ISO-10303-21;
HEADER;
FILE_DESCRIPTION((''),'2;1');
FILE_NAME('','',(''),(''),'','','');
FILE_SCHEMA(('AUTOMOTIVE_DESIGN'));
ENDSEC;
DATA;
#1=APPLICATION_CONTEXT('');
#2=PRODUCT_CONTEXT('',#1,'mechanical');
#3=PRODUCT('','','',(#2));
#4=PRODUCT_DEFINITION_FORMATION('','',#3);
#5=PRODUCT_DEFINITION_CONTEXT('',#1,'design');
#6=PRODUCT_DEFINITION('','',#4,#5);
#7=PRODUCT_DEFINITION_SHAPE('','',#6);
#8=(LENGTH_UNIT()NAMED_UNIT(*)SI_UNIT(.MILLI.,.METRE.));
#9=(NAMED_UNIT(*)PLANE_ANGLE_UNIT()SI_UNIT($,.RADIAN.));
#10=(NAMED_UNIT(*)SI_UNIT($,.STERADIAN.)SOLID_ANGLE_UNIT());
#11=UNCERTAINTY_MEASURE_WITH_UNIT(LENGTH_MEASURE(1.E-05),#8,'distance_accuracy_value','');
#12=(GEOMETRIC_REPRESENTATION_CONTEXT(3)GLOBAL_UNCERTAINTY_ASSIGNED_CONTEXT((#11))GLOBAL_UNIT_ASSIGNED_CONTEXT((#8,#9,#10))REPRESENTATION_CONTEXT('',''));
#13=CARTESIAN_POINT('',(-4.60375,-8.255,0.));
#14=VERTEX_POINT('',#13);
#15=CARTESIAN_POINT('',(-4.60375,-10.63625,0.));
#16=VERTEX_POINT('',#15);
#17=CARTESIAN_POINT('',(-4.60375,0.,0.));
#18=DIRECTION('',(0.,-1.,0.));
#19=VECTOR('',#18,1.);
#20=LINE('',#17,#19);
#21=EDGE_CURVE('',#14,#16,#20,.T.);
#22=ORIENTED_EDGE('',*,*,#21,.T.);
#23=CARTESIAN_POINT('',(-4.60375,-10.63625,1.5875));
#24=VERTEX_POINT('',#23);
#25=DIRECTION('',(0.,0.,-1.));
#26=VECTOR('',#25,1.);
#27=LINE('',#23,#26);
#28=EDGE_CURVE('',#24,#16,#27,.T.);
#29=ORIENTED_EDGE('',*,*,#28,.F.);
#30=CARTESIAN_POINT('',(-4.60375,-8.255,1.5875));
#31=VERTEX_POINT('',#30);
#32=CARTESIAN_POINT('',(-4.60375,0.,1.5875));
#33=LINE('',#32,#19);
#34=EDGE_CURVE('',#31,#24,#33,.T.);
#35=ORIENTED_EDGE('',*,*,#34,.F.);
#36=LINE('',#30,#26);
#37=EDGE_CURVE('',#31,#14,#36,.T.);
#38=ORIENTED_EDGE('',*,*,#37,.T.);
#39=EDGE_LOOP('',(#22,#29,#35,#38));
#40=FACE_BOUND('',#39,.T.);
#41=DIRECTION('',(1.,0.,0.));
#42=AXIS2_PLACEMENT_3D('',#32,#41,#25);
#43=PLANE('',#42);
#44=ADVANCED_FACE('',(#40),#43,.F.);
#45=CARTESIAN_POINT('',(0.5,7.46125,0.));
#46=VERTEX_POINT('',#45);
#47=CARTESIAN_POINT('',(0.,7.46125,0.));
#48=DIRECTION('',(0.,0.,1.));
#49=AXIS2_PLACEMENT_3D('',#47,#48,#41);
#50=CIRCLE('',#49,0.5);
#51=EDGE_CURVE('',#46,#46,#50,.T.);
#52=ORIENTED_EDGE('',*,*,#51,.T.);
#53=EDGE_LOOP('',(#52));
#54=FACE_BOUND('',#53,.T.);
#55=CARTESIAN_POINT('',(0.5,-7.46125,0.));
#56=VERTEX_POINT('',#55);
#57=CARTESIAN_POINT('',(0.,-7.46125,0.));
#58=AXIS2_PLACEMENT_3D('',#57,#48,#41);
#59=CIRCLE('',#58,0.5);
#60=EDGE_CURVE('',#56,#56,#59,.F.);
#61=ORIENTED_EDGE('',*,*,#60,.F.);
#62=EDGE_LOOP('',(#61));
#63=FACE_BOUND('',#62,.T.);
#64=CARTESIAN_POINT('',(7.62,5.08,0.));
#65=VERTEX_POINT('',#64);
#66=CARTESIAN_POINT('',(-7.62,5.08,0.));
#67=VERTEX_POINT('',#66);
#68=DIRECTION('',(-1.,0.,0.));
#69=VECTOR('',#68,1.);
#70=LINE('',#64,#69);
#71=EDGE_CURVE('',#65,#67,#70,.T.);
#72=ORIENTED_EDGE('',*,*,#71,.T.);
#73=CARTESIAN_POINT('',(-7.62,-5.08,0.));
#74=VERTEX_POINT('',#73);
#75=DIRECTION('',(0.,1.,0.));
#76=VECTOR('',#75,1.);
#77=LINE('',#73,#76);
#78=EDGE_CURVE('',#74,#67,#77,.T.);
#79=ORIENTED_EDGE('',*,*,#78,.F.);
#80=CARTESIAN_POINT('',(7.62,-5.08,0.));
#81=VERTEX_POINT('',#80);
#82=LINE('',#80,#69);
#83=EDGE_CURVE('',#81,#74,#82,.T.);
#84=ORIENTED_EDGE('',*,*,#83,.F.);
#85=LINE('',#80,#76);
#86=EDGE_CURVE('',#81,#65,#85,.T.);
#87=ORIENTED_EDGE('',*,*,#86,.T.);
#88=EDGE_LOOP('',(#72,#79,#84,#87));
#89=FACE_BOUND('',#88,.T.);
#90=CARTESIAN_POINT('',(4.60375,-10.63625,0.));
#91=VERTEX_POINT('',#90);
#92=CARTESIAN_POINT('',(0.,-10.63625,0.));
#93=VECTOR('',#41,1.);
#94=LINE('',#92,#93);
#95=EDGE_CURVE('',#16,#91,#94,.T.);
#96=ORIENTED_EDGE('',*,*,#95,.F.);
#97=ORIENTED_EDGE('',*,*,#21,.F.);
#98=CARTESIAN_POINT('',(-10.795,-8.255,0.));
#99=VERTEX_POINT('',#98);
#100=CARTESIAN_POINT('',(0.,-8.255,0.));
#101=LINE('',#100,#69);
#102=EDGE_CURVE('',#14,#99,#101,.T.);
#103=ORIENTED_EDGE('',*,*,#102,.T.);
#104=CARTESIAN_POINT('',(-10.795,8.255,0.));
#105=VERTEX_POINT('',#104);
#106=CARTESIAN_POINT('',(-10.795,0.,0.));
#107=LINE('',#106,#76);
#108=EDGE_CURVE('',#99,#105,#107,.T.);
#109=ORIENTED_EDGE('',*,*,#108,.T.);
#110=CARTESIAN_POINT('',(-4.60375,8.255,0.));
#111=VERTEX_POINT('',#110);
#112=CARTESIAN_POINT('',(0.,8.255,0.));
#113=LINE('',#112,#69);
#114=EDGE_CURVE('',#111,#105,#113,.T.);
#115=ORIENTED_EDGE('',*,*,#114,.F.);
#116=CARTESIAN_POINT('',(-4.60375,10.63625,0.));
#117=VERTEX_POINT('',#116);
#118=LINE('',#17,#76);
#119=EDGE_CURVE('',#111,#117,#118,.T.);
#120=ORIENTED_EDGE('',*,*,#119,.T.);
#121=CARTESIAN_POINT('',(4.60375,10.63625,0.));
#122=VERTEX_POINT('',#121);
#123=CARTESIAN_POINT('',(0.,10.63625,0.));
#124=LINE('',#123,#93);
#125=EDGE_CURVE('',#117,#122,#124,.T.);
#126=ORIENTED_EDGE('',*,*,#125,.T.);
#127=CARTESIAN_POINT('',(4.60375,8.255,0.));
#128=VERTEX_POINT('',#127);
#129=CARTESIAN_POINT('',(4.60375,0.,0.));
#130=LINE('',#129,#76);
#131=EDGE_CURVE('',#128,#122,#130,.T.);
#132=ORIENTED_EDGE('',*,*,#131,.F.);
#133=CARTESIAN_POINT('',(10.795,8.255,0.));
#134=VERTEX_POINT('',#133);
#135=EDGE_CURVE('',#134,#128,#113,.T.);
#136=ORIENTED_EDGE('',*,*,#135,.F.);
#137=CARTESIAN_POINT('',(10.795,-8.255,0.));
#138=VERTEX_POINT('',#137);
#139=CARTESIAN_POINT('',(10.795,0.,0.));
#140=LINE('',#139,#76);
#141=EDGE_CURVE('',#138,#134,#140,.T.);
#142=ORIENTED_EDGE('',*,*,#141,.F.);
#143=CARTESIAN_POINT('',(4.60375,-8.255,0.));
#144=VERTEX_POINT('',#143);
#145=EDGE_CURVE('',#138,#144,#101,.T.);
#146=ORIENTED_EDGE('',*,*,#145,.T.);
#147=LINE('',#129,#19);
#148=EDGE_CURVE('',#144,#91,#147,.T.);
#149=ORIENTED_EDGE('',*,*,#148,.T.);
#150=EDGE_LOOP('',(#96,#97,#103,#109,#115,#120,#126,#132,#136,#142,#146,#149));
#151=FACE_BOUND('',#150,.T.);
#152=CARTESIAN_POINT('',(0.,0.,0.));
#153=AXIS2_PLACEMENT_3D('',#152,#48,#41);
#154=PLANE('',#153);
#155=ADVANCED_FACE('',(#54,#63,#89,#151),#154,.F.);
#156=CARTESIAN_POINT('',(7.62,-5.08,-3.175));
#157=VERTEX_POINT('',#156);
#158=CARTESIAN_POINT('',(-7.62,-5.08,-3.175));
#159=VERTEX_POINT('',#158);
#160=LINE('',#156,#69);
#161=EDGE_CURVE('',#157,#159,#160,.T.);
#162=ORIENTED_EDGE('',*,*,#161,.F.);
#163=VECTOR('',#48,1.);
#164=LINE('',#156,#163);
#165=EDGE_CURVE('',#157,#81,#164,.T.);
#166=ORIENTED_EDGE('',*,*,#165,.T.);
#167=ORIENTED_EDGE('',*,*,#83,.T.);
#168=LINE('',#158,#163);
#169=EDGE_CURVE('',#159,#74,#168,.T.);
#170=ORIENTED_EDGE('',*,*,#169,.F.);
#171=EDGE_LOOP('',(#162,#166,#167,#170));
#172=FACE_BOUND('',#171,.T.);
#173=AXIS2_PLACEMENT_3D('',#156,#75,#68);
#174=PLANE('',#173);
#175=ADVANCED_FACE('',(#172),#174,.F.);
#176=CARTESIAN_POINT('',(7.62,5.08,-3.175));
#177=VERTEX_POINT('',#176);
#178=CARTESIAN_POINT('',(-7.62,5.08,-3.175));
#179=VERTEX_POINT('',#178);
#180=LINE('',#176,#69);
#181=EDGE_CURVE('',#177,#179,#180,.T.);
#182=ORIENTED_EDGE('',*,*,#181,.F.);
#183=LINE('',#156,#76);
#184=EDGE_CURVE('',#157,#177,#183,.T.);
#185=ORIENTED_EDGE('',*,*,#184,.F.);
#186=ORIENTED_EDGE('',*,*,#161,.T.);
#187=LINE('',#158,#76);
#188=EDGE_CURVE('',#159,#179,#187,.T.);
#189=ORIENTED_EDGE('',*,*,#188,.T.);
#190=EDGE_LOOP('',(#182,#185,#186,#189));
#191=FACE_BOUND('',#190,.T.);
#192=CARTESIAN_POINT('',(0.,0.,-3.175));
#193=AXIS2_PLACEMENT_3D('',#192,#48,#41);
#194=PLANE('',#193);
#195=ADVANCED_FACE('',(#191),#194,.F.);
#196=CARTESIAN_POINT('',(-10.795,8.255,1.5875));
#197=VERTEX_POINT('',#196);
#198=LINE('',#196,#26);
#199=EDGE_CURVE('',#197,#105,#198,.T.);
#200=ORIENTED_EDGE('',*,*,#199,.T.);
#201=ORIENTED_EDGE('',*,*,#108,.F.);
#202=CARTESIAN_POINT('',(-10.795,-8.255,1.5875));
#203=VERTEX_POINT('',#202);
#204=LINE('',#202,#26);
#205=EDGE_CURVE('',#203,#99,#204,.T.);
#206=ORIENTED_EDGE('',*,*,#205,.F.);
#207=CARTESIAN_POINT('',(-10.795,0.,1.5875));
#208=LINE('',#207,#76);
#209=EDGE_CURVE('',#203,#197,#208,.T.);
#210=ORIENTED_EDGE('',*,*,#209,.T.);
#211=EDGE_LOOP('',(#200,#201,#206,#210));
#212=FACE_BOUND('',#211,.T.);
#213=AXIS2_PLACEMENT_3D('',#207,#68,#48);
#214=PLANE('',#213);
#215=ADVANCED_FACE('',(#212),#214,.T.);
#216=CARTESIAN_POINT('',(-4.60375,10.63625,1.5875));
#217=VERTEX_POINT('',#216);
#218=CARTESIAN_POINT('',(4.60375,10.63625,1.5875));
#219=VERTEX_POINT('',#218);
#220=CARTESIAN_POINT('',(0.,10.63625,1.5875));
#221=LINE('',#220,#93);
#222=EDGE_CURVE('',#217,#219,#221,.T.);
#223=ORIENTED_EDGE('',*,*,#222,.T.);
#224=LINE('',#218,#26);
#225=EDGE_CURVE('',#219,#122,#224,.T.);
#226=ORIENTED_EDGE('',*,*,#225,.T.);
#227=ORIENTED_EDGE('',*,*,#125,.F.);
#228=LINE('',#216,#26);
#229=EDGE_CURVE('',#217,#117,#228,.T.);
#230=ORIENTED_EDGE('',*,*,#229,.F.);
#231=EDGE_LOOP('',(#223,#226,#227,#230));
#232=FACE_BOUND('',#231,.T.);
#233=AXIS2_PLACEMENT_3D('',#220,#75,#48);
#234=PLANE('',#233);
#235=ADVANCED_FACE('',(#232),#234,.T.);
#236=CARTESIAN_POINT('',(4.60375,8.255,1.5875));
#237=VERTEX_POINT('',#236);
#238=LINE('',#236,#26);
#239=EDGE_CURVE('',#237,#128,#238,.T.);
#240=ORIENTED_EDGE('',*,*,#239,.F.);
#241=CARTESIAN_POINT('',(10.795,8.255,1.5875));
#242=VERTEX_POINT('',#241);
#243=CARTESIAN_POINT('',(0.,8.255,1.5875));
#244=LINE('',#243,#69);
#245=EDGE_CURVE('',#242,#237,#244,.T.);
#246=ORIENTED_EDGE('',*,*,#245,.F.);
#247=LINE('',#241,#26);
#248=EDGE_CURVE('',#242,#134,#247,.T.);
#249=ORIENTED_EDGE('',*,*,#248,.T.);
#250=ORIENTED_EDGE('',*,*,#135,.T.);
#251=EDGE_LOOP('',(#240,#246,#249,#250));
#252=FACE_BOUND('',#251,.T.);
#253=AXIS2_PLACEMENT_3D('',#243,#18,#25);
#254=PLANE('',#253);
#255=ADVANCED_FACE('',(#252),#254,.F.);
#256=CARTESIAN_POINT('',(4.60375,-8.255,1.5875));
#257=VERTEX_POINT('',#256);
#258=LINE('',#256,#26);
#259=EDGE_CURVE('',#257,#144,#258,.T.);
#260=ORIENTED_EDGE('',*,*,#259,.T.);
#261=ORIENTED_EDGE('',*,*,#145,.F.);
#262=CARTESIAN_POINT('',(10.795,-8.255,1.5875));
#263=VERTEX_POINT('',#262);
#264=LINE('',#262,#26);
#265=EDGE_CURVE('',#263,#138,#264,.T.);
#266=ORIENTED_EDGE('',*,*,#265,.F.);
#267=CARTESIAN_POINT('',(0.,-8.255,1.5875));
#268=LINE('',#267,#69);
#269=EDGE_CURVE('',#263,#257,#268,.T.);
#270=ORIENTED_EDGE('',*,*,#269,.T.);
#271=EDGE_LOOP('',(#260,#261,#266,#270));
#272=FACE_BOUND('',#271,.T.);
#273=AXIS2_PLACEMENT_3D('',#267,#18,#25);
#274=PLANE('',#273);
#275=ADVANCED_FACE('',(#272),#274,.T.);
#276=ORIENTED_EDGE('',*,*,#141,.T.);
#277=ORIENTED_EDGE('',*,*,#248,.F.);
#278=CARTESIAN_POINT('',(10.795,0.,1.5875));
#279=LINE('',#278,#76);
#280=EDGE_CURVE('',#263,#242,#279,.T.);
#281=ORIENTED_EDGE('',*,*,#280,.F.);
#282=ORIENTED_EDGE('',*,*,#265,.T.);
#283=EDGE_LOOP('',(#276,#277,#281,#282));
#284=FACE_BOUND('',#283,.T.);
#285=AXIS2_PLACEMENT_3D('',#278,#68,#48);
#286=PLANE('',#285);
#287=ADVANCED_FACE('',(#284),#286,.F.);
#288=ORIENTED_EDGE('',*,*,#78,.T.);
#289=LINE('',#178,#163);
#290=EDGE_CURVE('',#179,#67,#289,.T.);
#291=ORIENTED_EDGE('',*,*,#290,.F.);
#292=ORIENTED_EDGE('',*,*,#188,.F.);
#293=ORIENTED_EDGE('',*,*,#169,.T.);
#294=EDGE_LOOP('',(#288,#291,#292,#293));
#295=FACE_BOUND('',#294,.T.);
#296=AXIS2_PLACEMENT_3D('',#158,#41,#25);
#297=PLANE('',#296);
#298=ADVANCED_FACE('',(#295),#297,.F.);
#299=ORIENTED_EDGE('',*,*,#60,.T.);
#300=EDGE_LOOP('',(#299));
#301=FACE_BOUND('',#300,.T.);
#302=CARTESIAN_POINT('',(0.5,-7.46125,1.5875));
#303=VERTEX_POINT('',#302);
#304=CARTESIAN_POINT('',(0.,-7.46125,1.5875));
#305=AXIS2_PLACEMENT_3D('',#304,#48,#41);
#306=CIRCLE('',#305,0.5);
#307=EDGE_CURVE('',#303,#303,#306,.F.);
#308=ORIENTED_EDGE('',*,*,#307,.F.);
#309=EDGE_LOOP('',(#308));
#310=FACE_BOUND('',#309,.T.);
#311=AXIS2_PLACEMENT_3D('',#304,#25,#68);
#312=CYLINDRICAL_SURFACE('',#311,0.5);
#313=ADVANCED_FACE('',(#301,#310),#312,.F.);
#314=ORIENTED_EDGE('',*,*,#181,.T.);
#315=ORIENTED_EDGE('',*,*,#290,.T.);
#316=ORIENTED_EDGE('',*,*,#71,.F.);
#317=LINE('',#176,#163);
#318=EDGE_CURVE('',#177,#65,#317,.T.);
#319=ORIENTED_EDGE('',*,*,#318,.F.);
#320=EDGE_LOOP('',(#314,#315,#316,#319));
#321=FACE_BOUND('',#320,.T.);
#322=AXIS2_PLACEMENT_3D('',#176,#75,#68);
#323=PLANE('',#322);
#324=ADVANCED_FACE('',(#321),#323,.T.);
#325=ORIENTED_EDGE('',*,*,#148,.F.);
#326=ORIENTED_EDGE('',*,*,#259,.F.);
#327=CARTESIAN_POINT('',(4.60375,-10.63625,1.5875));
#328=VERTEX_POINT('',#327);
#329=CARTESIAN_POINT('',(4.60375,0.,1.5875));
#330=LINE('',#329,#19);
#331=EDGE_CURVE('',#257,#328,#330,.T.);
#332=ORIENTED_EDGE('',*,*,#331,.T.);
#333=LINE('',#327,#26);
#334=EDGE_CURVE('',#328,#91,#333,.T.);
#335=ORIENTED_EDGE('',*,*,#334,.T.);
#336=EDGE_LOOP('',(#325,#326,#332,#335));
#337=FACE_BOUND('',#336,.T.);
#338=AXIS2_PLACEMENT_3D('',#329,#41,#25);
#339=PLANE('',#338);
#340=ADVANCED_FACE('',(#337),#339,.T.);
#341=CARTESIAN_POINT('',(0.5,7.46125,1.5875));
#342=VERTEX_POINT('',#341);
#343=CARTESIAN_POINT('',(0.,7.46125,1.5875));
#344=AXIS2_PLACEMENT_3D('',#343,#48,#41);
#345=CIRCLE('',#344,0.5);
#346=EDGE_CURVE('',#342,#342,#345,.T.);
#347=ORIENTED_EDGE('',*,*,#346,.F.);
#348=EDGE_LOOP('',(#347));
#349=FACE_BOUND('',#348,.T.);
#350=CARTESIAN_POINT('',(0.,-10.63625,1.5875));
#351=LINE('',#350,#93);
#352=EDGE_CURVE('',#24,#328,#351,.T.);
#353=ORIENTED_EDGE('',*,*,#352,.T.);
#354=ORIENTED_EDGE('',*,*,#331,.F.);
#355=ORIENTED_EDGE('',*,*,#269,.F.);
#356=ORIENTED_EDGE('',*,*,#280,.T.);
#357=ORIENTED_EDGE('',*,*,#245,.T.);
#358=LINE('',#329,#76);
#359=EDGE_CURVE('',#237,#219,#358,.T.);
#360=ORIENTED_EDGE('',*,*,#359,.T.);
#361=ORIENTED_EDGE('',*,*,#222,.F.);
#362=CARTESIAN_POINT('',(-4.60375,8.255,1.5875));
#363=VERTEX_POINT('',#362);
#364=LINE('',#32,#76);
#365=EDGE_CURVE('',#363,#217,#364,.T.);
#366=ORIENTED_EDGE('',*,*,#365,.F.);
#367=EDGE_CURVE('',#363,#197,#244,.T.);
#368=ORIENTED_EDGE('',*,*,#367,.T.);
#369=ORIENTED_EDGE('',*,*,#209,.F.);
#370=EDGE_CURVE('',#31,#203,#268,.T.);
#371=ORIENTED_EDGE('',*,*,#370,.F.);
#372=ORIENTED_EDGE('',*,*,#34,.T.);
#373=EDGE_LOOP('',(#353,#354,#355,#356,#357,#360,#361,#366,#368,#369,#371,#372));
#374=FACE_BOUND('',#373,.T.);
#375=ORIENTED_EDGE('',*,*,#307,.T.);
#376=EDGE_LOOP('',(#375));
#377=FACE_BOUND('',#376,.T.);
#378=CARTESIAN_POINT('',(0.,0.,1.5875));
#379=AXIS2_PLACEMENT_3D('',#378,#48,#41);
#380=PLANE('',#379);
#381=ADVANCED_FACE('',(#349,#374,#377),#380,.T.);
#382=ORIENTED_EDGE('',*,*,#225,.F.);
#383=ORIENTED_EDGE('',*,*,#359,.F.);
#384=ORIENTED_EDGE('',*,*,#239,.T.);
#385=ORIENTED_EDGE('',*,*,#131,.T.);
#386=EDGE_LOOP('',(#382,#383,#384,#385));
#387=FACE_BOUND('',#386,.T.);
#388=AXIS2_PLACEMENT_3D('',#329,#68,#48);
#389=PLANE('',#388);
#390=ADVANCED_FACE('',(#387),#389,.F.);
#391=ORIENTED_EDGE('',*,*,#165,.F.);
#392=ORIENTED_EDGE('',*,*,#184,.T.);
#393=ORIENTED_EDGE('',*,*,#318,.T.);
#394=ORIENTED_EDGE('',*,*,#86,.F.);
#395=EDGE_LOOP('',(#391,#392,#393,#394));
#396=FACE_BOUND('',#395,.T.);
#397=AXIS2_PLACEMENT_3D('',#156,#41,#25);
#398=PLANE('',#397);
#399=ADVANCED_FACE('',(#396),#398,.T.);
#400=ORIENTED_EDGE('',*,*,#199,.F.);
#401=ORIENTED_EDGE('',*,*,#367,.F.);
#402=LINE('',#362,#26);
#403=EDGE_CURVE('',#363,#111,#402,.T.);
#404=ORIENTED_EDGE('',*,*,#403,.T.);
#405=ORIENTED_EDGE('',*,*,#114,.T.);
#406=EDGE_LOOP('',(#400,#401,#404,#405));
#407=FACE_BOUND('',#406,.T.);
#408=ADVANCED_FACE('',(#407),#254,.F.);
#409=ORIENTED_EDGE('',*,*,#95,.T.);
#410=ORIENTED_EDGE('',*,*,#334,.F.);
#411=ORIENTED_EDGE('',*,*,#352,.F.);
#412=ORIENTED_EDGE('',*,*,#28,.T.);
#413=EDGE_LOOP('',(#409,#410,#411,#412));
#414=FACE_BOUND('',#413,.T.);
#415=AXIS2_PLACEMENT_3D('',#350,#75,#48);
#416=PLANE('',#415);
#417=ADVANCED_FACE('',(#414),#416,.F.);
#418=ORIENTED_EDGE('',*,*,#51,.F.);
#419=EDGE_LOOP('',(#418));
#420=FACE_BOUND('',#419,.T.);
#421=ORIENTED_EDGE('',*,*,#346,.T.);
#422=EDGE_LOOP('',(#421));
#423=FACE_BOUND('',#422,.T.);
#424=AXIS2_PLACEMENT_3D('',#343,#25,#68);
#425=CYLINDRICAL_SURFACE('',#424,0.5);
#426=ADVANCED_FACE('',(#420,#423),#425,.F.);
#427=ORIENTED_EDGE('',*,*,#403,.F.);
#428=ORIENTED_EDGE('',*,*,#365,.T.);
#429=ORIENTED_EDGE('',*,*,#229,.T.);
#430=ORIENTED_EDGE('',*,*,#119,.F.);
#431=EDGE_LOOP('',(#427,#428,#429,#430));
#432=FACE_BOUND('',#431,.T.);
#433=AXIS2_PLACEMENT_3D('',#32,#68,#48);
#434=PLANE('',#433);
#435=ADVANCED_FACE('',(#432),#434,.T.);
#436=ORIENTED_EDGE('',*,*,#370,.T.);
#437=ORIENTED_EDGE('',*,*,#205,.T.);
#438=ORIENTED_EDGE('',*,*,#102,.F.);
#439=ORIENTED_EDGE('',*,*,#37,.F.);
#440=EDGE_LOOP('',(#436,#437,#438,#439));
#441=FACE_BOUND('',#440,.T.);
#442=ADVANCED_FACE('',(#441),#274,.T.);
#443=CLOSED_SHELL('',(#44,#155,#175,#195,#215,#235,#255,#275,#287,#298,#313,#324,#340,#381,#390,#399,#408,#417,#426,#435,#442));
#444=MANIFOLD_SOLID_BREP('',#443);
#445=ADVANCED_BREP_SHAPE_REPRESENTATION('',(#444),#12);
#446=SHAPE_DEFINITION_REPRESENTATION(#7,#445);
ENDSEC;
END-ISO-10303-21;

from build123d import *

# Parameters (mm, degrees)
SKETCH1_R           = 0.5
BOSS_EXTRUDE1_DEPTH = 1.5875
SKETCH1_3_W         = 15.24
SKETCH1_3_H         = 10.16
BOSS_EXTRUDE2_DEPTH = 3.175


with BuildPart() as part:
    # Sketch1 → Boss-Extrude1 (new body)
    with BuildSketch(Plane.XY):
        Polygon((4.60375, -8.255), (10.795, -8.255), (10.795, 8.255), (4.60375, 8.255), (4.60375, 10.63625), (-4.60375, 10.63625), (-4.60375, 8.255), (-10.795, 8.255), (-10.795, -8.255), (-4.60375, -8.255), (-4.60375, -10.63625), (4.60375, -10.63625), align=None)
        with Locations((0, -7.46125)):
            Circle(SKETCH1_R, mode=Mode.SUBTRACT)
        with Locations((0, 7.46125)):
            Circle(SKETCH1_R, mode=Mode.SUBTRACT)
    extrude(amount=BOSS_EXTRUDE1_DEPTH)

    # Sketch1<3> → Boss-Extrude2 (add)
    with BuildSketch(Plane.XY):
        Rectangle(SKETCH1_3_W, SKETCH1_3_H)
    extrude(amount=-BOSS_EXTRUDE2_DEPTH)


solid = part.part
